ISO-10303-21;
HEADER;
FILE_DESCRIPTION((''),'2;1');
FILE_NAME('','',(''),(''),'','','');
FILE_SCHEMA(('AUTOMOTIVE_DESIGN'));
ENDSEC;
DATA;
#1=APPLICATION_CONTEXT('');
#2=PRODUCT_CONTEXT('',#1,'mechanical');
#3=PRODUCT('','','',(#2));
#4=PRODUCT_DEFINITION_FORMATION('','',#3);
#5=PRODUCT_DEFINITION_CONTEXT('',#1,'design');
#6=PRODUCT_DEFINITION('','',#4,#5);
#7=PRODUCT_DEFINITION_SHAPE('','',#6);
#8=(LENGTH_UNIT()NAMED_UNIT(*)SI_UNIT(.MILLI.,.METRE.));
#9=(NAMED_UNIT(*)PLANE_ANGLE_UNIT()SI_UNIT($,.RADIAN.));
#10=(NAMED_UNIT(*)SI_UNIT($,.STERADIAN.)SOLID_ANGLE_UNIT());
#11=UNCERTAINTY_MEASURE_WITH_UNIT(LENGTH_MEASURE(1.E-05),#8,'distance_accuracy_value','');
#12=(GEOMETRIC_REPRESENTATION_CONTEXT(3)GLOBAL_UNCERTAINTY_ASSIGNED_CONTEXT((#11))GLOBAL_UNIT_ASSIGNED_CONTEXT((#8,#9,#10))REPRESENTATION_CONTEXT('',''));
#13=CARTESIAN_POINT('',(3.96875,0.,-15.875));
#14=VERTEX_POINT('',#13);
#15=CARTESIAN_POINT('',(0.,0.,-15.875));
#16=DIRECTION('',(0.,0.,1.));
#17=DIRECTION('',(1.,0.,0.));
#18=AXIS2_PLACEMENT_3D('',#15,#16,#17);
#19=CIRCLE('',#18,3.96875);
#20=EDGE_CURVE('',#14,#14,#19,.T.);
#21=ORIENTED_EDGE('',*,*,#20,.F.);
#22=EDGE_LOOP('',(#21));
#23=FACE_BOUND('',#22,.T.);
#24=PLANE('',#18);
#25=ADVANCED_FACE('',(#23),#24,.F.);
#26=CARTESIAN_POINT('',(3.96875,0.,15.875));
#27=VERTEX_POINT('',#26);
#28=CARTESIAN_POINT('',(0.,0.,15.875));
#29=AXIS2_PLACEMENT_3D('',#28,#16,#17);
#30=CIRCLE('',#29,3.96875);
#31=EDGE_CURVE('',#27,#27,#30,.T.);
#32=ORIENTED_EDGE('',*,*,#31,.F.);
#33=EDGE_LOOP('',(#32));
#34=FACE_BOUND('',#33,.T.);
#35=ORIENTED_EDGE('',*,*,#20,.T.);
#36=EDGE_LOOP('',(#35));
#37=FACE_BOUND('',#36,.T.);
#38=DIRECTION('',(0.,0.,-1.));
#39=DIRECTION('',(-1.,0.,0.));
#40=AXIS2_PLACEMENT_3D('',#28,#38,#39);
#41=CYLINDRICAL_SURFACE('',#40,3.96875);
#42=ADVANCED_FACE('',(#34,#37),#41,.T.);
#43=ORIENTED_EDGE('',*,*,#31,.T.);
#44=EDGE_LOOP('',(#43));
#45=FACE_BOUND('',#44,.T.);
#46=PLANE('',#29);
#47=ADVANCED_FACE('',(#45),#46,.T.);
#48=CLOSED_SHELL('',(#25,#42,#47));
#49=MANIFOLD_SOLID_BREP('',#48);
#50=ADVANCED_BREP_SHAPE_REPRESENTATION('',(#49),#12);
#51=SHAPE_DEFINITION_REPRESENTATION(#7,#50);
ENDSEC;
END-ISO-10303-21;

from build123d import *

# Parameters (mm, degrees)
SKETCH1_R           = 3.96875
BOSS_EXTRUDE1_DEPTH = 15.875


with BuildPart() as part:
    # Sketch1 → Boss-Extrude1 (new body, symmetric)
    with BuildSketch(Plane.XY):
        Circle(SKETCH1_R)
    extrude(amount=BOSS_EXTRUDE1_DEPTH, both=True)


solid = part.part
